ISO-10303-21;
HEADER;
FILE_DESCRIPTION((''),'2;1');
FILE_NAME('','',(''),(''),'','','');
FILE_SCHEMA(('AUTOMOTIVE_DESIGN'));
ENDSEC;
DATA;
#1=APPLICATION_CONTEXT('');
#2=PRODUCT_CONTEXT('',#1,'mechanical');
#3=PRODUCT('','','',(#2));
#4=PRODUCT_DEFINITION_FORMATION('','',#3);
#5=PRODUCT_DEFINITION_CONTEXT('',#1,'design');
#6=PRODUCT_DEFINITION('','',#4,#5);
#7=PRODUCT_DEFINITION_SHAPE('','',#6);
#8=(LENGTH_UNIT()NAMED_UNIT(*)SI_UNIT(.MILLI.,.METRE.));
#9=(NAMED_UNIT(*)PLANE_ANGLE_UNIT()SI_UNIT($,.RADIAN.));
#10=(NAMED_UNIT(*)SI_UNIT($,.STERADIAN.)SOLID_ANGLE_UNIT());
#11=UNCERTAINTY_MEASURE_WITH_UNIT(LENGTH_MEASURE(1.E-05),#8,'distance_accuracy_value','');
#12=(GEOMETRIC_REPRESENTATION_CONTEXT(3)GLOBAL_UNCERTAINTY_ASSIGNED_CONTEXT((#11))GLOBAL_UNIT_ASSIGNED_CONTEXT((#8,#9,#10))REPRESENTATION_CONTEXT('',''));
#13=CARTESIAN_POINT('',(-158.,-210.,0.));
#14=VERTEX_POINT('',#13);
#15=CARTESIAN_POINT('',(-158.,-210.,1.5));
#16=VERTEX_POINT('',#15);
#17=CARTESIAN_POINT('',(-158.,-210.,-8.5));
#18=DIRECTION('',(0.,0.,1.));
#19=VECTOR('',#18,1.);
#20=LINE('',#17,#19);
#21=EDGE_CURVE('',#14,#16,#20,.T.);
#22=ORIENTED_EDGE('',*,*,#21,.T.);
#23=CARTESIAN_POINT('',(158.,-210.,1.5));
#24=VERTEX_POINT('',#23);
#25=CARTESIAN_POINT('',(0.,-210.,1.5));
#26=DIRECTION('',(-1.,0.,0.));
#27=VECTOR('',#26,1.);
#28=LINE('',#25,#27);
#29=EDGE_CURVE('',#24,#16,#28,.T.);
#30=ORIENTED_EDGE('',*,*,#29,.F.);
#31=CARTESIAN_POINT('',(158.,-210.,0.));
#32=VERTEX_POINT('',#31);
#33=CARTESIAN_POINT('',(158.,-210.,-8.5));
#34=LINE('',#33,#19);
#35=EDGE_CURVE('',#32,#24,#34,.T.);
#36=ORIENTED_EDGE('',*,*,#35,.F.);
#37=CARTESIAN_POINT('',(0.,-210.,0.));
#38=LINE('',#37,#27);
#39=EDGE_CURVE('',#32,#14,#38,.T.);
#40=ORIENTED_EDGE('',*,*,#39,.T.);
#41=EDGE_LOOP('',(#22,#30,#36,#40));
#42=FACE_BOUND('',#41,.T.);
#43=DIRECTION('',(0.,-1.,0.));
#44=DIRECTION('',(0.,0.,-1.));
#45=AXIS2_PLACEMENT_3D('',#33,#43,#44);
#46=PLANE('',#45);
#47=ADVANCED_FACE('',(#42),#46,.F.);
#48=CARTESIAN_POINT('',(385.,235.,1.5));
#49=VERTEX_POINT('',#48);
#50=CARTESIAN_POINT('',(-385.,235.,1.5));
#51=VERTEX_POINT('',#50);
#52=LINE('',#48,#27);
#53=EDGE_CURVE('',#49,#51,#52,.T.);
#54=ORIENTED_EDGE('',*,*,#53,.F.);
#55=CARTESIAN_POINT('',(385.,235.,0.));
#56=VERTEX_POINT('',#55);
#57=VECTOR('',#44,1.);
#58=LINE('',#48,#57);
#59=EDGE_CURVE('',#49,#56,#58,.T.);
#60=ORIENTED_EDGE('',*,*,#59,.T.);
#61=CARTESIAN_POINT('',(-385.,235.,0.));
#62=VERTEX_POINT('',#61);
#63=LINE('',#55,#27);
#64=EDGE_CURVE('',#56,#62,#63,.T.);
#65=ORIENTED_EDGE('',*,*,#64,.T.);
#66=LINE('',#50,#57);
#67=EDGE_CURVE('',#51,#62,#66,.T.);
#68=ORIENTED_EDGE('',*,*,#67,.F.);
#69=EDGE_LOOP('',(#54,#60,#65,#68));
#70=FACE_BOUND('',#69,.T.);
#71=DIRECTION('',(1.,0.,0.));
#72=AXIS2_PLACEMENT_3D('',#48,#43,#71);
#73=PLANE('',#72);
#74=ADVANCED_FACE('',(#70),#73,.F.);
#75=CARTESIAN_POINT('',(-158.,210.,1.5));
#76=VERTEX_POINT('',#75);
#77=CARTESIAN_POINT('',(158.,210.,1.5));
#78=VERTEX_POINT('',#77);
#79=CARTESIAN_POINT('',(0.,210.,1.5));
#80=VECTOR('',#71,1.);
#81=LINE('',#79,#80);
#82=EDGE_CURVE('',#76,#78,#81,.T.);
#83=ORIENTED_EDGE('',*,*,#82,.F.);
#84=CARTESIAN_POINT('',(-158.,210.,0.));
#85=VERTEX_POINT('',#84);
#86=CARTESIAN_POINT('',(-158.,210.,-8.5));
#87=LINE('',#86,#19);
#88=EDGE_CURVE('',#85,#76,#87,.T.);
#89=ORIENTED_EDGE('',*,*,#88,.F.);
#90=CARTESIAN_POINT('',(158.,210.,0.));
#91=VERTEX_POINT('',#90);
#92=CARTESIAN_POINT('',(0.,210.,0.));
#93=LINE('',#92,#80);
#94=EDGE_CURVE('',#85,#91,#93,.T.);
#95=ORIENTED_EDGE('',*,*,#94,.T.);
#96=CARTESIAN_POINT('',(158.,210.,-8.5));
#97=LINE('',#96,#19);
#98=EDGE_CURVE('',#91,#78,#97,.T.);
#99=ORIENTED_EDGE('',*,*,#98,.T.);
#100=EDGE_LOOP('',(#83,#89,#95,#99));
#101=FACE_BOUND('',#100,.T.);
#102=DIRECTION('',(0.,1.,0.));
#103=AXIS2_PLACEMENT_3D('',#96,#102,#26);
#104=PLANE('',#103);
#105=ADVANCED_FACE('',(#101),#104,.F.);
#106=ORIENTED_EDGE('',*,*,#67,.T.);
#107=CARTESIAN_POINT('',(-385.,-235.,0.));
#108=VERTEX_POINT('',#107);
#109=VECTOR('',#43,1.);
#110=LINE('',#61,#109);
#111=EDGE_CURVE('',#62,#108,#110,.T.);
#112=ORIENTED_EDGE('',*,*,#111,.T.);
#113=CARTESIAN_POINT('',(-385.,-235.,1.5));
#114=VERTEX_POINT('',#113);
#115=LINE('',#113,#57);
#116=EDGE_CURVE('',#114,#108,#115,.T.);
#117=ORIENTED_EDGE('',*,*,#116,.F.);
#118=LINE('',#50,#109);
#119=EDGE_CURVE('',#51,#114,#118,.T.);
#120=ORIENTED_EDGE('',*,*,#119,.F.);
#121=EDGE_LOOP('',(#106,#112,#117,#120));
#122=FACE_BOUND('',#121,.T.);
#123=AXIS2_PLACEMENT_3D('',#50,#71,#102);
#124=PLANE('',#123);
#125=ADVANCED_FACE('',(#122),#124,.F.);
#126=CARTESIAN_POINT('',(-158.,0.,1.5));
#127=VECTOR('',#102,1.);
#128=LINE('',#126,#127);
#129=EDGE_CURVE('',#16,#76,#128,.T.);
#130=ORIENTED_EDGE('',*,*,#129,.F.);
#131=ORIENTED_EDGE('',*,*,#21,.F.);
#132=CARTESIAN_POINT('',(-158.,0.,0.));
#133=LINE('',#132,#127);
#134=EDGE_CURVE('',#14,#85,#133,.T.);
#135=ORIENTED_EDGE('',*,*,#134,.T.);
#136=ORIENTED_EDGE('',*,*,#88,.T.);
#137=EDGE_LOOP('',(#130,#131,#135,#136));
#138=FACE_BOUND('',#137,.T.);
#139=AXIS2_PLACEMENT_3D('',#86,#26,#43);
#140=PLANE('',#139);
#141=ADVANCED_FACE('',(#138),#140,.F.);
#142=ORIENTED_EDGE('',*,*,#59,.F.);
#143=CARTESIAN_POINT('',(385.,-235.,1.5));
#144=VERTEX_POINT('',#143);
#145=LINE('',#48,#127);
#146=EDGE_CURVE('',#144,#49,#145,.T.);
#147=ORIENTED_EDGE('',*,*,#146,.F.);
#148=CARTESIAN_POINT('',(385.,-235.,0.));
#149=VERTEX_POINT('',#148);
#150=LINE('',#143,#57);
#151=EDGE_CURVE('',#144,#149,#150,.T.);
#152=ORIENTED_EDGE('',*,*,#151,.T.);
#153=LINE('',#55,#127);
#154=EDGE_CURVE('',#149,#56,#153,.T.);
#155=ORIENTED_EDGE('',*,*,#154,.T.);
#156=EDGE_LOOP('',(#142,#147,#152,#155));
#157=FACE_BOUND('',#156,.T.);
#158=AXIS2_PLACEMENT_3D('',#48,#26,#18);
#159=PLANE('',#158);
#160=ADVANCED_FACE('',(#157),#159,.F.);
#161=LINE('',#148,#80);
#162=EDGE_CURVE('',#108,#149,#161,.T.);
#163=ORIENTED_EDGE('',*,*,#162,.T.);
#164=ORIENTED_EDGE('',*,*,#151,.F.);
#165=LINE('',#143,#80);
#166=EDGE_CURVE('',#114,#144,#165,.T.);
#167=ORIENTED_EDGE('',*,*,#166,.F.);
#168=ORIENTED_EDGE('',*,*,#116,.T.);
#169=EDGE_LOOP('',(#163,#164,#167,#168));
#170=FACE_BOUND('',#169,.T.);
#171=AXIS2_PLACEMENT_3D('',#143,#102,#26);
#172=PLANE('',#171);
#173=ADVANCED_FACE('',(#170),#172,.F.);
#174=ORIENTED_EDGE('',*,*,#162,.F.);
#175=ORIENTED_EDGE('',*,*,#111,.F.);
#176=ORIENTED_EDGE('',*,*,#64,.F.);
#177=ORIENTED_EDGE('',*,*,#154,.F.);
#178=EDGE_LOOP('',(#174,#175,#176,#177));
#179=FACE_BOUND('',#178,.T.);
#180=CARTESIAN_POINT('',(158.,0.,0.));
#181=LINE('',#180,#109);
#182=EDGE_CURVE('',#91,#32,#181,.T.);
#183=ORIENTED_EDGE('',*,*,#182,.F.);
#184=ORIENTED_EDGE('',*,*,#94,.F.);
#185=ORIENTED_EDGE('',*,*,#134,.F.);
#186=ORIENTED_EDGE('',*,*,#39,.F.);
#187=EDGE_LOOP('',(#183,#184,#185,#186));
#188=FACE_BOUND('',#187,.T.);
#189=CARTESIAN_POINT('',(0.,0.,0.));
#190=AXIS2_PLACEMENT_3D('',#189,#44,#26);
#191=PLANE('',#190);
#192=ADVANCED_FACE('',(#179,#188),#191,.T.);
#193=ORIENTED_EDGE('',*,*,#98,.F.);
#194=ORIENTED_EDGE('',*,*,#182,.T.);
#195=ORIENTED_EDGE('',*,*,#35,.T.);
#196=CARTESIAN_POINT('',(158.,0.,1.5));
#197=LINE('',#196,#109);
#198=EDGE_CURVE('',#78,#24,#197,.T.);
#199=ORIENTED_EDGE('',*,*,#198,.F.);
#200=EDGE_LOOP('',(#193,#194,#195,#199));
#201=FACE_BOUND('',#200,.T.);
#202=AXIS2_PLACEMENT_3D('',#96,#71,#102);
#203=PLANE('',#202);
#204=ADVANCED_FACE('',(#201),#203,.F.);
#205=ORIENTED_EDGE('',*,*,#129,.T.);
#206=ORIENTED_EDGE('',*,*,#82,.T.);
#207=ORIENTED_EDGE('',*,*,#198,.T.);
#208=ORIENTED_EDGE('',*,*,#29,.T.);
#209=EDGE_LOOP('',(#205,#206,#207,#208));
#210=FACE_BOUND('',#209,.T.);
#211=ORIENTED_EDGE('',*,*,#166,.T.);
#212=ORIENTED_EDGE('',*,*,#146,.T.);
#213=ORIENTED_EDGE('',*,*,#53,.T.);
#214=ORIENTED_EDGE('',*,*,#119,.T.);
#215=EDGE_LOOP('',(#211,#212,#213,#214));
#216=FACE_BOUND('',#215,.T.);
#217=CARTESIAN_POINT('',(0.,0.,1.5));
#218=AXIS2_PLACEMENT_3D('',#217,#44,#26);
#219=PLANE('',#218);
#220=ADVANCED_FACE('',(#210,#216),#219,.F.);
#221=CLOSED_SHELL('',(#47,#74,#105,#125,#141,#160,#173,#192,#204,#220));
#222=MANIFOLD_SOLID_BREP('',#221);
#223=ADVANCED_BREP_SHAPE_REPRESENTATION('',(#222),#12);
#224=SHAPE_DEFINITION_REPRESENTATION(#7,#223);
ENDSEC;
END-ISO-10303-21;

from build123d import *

# Parameters (mm, degrees)
SKETCH1_W               = 770
SKETCH1_H               = 470
BOSS_EXTRUDE1_DEPTH     = 1.5
CUT_EXTRUDE4_DEPTH      = 17
CUT_EXTRUDE4_DEPTH_BACK = 10
SKETCH3_W               = 316
SKETCH3_H               = 420


with BuildPart() as part:
    # Sketch1 → Boss-Extrude1 (new body)
    with BuildSketch(Plane.XY):
        Rectangle(SKETCH1_W, SKETCH1_H)
    extrude(amount=BOSS_EXTRUDE1_DEPTH)

    # Sketch3 → Cut-Extrude4 (cut, two sides: drawn at the far end of the back side and taken through both)
    with BuildSketch(Plane.XY.offset(1.5).offset(-CUT_EXTRUDE4_DEPTH_BACK)):
        Rectangle(SKETCH3_W, SKETCH3_H)
    extrude(amount=CUT_EXTRUDE4_DEPTH + CUT_EXTRUDE4_DEPTH_BACK, mode=Mode.SUBTRACT)


solid = part.part
